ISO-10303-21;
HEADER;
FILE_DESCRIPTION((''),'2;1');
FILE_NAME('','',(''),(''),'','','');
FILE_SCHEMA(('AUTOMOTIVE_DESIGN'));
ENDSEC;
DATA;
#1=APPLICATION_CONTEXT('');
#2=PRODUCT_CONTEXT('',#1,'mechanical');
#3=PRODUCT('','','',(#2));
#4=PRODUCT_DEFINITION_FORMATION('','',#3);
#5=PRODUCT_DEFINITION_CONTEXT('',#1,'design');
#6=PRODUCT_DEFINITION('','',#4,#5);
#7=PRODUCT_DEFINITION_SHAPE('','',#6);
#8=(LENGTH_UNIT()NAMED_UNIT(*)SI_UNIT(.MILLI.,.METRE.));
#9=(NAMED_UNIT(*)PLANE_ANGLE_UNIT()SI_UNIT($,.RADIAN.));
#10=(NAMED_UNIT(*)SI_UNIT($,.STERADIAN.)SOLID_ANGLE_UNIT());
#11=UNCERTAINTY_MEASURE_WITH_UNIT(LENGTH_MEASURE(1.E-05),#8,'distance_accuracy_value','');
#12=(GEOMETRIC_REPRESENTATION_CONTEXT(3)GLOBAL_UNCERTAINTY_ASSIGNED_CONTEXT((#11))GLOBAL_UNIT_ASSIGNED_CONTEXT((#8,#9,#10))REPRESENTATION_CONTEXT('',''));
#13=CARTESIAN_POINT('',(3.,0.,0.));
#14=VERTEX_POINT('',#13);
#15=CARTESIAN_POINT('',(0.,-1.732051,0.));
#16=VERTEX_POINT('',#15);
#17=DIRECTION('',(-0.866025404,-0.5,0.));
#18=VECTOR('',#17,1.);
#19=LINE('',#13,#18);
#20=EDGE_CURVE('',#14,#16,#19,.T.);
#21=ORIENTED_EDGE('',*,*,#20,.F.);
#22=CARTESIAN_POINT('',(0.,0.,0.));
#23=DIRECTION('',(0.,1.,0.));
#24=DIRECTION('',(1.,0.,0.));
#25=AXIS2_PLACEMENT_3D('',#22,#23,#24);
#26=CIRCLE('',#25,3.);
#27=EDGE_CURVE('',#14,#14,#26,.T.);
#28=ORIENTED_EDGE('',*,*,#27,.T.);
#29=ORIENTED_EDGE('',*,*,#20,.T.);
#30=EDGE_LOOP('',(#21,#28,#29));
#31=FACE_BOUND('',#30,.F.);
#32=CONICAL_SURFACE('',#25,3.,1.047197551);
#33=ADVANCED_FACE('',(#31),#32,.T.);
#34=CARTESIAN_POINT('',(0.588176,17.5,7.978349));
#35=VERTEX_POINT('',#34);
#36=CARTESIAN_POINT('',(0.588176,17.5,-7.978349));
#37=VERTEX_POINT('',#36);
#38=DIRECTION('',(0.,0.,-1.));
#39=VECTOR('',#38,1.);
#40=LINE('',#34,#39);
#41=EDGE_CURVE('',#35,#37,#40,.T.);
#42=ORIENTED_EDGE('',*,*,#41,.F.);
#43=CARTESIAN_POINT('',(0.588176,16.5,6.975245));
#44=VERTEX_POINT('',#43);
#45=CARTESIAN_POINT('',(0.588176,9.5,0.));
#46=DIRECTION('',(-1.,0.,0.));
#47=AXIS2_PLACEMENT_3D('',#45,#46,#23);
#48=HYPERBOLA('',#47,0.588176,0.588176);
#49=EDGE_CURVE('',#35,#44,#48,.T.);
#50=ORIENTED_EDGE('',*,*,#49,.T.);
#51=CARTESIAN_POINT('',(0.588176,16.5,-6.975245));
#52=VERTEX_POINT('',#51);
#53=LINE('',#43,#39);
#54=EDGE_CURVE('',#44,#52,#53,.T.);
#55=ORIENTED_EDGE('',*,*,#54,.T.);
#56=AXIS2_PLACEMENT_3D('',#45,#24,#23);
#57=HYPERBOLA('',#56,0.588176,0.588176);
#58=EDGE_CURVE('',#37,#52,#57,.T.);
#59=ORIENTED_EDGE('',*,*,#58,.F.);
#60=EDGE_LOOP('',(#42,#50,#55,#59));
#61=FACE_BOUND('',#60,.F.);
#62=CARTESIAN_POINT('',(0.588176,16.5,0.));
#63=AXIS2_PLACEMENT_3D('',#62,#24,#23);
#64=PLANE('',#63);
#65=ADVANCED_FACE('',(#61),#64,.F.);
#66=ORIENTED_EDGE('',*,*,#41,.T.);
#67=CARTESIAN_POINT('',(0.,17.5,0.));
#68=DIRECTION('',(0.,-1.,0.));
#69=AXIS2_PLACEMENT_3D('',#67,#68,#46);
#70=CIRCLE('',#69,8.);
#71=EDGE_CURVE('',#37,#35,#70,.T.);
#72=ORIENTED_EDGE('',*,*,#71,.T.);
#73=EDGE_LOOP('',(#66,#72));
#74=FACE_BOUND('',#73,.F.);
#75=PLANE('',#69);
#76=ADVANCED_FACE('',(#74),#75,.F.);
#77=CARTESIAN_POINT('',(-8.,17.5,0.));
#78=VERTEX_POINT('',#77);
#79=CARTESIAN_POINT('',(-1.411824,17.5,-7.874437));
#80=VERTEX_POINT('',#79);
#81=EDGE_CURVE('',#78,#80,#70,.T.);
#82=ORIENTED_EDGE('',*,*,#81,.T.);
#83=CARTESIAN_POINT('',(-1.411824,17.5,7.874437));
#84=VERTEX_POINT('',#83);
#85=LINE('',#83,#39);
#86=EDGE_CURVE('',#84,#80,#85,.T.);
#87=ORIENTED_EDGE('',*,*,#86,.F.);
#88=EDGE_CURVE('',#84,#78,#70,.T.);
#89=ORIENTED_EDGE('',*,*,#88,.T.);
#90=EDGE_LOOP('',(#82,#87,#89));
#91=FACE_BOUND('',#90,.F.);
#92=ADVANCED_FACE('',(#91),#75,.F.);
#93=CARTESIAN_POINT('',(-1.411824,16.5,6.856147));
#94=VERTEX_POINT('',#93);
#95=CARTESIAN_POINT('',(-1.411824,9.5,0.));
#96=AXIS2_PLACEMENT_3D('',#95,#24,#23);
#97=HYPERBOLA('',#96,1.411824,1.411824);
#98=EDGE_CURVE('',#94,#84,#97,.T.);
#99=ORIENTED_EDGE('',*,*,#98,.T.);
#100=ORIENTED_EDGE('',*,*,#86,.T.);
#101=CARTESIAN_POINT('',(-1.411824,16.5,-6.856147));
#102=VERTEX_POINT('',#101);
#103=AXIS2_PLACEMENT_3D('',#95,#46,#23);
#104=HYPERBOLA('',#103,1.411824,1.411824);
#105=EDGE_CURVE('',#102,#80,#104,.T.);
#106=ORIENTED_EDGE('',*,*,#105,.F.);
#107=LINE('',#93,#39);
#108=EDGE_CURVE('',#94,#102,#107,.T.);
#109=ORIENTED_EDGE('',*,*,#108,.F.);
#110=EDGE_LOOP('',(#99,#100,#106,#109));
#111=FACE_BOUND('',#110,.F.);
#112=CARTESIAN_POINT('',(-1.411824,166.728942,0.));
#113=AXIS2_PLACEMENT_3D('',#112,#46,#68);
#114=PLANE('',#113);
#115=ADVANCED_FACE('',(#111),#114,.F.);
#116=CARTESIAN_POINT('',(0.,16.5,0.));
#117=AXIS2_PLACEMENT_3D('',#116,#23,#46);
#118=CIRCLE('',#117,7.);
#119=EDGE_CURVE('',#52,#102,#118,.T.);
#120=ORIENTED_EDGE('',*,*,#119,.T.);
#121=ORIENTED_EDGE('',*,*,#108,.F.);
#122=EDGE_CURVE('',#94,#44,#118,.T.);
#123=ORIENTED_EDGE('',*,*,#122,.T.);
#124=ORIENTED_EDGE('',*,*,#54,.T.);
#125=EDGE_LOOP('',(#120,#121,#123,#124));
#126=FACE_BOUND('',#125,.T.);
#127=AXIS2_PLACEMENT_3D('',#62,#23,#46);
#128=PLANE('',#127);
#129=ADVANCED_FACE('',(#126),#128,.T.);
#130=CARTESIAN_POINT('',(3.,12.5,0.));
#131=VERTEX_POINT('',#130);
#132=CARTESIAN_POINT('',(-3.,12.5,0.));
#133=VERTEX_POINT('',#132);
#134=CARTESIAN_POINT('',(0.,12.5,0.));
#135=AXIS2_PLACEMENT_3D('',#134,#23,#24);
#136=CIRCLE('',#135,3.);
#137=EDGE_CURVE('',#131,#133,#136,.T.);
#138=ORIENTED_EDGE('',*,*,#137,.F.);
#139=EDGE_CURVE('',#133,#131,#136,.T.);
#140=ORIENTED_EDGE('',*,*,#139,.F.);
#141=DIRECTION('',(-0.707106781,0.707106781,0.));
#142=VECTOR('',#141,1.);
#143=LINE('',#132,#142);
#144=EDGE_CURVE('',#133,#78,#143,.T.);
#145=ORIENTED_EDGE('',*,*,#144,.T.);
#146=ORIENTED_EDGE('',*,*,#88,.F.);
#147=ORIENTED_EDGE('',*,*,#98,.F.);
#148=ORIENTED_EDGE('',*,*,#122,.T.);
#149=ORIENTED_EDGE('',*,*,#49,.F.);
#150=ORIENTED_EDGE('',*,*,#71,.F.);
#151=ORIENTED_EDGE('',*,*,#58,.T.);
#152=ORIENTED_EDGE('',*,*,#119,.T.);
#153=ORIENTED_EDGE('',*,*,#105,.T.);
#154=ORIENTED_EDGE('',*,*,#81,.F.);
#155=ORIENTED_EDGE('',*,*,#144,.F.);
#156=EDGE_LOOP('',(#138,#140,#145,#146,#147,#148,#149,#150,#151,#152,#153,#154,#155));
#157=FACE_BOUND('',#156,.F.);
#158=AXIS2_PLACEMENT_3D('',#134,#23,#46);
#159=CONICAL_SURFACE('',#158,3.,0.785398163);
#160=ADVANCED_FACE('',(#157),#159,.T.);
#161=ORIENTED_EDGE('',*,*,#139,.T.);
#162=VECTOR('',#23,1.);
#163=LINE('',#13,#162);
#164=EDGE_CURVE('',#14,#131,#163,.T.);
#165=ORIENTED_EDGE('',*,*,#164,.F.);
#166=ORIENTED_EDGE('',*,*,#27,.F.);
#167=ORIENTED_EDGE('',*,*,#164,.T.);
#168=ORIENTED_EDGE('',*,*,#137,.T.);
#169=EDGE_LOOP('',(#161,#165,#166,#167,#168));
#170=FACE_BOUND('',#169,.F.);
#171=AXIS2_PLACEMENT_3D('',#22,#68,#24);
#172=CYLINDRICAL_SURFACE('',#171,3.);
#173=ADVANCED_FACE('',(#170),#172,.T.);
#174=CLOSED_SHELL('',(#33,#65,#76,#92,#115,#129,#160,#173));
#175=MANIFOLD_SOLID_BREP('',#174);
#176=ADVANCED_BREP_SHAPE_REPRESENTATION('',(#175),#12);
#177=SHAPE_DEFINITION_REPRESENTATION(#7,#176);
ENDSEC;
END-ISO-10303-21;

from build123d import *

# Parameters (mm, degrees)
SKETCH1_R               = 3
BOSS_EXTRUDE1_DEPTH     = 12.5
CUT_EXTRUDE4_DEPTH      = 9
CUT_EXTRUDE4_DEPTH_BACK = 9


with BuildPart() as part:
    # Sketch1 → Boss-Extrude1 (new body)
    with BuildSketch(Plane(origin=(0, 0, 0), x_dir=(1, 0, 0), z_dir=(0, 1, 0))):
        Circle(SKETCH1_R)
    extrude(amount=BOSS_EXTRUDE1_DEPTH)

    # Sketch3 → Revolve1 (revolve)
    with BuildSketch(Plane.XY):
        Polygon((-3, 12.5), (-8, 17.5), (0, 17.5), (0, 12.5), align=None)
    revolve(axis=Axis((0, 17.5, 0), (0, -1, 0)))

    # Sketch4 → Cut-Extrude4 (cut, two sides)
    with BuildSketch(Plane.XY) as cut_extrude4_sk:
        Polygon((0.588175988, 67.243680335), (0.588175988, 17.501049711), (0.588175988, 16.5), (-1.411824012, 16.5), (-1.411824012, 17.501049711), (-1.411824012, 67.243680335), (-1.411824012, 166.728941583), (0.588175988, 166.728941583), align=None)
    extrude(amount=CUT_EXTRUDE4_DEPTH, mode=Mode.SUBTRACT)
    extrude(cut_extrude4_sk.sketch, amount=-CUT_EXTRUDE4_DEPTH_BACK, mode=Mode.SUBTRACT)

    # Sketch6 → Revolve2 (revolve)
    with BuildSketch(Plane.XY):
        Polygon((3, 0), (0, -1.732050808), (0, 0), align=None)
    revolve(axis=Axis((0, -1.732050808, 0), (0, 1, 0)))


solid = part.part
